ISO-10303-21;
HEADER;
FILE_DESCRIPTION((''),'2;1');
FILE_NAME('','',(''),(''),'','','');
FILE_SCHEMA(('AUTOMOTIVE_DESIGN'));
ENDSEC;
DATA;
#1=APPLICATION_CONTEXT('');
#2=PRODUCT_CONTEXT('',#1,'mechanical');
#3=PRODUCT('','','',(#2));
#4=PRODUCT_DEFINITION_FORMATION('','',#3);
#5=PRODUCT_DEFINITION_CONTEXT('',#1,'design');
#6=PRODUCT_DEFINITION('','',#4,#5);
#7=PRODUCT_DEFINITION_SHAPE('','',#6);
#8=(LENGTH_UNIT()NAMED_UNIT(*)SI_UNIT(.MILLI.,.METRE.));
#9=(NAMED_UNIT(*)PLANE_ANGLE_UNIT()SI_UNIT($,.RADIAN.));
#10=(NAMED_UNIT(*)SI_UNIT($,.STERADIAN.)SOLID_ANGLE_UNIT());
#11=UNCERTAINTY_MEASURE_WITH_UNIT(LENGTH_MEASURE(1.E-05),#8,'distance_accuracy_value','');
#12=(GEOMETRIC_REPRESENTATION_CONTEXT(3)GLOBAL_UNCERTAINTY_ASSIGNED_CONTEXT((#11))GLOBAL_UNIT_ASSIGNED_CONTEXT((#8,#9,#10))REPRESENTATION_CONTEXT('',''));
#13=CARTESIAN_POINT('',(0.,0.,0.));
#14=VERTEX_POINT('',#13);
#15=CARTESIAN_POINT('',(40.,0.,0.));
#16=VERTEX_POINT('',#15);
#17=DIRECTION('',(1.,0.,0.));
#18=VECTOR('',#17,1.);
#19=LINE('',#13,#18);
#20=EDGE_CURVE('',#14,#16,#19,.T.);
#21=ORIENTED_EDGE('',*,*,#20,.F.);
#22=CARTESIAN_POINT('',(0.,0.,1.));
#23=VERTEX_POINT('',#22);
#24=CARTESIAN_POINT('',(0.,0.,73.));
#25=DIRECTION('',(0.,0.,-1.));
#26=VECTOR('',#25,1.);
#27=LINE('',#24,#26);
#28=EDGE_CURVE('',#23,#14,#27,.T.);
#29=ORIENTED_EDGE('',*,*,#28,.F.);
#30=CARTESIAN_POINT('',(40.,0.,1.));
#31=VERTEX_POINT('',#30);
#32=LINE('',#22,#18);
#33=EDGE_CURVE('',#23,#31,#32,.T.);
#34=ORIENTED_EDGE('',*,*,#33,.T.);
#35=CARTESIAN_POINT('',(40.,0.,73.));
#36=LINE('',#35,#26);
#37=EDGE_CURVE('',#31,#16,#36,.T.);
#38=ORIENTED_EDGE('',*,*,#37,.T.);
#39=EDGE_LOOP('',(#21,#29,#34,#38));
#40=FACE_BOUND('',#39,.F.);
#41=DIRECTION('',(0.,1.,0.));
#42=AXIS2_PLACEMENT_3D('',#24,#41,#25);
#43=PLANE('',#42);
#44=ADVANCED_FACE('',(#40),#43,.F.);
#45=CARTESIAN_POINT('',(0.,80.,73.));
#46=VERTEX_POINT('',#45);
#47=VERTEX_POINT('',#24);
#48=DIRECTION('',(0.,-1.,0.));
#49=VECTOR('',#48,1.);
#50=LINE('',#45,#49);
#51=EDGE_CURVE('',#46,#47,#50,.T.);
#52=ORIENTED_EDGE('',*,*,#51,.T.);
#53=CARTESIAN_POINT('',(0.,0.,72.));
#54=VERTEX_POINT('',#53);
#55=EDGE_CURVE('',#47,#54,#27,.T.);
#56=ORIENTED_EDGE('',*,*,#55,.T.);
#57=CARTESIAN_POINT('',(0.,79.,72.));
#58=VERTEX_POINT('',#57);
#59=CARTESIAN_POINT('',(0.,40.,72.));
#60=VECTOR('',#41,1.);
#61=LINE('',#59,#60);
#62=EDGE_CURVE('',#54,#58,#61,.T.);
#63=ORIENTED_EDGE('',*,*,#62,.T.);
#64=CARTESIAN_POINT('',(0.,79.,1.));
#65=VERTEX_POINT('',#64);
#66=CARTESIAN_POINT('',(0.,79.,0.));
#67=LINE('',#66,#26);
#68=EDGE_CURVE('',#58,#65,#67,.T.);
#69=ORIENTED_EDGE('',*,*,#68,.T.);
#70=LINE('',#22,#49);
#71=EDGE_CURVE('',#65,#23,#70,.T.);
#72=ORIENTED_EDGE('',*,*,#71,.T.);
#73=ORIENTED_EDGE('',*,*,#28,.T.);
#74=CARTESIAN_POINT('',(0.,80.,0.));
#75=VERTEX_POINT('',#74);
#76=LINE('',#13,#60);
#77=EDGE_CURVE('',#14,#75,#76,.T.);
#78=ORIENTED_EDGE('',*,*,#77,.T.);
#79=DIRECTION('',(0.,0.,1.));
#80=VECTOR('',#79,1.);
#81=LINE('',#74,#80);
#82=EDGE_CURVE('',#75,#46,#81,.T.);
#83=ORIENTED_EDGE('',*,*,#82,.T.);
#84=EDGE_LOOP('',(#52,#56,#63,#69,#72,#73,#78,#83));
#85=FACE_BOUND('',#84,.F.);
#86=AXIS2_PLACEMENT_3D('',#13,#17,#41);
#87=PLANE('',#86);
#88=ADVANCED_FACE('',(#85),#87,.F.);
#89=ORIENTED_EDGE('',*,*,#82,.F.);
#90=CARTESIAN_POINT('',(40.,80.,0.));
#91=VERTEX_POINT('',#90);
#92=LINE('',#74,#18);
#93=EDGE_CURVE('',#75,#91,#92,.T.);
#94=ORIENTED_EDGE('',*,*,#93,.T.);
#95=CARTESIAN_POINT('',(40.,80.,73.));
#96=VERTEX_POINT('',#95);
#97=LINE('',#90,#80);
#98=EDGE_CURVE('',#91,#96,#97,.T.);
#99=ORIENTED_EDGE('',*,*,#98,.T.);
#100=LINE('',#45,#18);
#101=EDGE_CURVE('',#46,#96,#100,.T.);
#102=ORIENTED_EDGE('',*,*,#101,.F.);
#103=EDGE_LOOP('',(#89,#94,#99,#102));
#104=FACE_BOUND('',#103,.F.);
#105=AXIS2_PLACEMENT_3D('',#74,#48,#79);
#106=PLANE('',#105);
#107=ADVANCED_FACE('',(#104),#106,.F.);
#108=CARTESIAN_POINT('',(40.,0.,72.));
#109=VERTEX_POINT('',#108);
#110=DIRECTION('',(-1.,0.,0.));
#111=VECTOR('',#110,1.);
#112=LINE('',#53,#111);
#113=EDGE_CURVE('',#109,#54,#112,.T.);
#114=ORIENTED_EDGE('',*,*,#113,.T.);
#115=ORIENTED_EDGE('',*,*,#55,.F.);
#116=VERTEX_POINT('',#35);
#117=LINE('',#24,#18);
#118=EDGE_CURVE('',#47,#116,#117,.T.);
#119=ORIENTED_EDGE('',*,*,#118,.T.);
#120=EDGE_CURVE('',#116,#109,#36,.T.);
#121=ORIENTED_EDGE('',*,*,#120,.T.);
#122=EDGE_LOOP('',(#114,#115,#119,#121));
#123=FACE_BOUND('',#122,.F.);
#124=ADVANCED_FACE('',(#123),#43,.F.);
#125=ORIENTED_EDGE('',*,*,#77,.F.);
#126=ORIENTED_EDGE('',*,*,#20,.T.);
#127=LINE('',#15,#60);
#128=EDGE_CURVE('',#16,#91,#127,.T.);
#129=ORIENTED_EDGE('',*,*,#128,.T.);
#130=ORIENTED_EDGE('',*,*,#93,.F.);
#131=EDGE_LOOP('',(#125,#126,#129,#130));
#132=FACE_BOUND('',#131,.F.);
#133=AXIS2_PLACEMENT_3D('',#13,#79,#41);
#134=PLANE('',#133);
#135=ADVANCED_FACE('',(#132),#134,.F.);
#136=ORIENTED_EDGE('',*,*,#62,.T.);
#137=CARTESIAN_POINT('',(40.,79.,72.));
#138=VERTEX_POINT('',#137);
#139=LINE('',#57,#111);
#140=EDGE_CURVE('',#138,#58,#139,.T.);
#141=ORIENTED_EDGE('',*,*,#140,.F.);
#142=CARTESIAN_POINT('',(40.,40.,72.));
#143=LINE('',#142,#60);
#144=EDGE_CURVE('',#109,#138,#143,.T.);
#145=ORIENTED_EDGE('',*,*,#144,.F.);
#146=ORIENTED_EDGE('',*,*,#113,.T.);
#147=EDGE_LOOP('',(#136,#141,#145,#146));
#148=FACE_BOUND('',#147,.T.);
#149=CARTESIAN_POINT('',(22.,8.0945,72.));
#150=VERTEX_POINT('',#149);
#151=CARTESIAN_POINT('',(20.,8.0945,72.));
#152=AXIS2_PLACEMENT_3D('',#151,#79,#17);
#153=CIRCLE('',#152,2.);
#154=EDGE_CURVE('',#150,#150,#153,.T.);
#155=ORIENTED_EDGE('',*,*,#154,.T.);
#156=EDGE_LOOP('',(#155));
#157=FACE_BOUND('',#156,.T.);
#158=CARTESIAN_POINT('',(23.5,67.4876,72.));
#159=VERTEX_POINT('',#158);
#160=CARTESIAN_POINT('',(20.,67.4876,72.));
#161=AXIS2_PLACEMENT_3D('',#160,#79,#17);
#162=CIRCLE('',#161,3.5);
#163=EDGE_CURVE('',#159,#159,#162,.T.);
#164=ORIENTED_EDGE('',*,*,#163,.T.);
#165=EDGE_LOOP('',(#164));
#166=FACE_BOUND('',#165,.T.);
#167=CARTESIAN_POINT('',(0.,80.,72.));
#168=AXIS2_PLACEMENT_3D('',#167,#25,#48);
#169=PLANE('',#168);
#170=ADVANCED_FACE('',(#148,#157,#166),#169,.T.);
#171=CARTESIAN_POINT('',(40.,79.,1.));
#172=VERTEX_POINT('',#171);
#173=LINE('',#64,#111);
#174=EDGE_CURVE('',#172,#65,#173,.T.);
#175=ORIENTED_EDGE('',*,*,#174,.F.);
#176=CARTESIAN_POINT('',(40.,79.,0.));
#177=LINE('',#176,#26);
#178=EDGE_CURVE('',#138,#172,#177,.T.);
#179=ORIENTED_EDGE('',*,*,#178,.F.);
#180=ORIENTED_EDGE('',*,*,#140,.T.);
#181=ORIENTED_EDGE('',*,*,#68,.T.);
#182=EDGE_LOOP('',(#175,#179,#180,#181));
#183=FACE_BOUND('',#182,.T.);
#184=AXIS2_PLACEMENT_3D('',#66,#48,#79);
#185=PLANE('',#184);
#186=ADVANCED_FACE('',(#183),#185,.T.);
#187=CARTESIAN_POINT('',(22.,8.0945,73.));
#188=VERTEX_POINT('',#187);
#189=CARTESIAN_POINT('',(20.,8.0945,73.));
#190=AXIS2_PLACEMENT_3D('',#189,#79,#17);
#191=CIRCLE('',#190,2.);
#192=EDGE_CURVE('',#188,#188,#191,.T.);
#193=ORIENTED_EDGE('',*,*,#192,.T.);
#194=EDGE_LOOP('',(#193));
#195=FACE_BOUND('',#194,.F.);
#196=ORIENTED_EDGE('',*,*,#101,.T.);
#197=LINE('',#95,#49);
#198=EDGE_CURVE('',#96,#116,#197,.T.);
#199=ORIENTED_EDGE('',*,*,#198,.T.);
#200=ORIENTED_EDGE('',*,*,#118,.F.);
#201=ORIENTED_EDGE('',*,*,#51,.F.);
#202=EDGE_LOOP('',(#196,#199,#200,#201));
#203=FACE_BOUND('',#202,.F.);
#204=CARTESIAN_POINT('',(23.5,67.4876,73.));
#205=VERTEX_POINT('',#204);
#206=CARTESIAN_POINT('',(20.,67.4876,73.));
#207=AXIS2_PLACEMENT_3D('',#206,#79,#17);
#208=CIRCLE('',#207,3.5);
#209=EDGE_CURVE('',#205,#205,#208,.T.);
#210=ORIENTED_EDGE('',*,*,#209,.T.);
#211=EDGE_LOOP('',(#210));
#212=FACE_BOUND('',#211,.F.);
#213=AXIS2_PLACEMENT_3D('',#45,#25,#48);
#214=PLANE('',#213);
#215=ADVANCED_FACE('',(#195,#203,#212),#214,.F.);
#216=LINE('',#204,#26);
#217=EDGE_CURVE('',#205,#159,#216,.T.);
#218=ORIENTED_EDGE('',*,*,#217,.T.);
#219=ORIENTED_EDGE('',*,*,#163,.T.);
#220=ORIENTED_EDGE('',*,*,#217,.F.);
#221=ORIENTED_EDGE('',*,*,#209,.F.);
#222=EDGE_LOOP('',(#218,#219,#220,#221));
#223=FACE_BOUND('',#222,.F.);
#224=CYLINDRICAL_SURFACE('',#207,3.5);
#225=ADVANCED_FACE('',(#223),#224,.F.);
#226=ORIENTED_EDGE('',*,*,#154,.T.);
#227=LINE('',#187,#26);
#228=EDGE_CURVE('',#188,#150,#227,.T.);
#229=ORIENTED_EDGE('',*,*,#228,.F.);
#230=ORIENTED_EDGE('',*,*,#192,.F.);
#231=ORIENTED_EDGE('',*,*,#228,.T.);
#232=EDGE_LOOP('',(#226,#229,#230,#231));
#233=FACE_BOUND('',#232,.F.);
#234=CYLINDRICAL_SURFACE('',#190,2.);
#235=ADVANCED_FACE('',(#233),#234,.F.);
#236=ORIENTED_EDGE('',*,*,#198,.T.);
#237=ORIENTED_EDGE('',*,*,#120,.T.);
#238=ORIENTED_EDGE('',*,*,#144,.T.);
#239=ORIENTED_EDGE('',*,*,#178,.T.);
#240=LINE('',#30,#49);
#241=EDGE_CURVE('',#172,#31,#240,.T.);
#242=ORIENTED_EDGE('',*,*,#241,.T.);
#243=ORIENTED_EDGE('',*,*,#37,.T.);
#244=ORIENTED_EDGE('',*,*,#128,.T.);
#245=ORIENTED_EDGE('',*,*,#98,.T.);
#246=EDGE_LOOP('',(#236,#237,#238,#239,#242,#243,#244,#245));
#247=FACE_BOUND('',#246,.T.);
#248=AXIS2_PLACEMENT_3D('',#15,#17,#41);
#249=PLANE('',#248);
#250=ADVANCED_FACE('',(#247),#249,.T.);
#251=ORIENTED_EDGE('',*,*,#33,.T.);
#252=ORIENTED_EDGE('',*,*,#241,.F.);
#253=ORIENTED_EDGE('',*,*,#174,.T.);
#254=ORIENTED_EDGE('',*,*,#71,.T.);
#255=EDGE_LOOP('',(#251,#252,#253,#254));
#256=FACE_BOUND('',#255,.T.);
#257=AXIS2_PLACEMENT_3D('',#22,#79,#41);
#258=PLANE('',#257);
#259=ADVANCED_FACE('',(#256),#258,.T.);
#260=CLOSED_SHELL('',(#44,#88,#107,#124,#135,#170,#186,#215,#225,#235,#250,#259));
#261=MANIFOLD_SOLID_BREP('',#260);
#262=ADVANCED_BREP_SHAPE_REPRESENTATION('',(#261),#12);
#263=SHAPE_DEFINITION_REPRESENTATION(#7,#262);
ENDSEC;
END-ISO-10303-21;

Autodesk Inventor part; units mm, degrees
ref_plane "YZ Plane" through (0, 0, 0) normal (1, 0, 0) x (0, 1, 0)
ref_plane "XZ Plane" through (0, 0, 0) normal (0, 1, 0) x (-1, 0, 0)
ref_plane "XY Plane" through (0, 0, 0) normal (0, 0, 1) x (1, 0, 0)
sketch "Sketch3" plane through (0, 0, 0) normal (1, 0, 0) x (0, 1, 0)
  line L0 (0, 0) -> (80, 0)
  line L1 (80, 0) -> (80, 73)
  line L2 (80, 73) -> (0, 73)
  line L3 (0, 73) -> (0, 0)
  dimension "d8" = 80
  dimension "d9" = 73
extrude "Extrusion3" add sketch "Sketch3" along normal blind 40
shell "Shell1" thickness 1 removed faces 3 at (26.6667, 0, 48.6667) at (0, 53.3333, 24.3333) at (40, 53.3333, 24.3333)
sketch "Sketch4" plane through (0, 0, 73) normal (0, 0, 1) x (1, 0, 0)
  line L0 (0, 0) -> (40, 0) projected
  line L1 (0, 80) -> (40, 80) projected
  circle A0 centre (20, 8.0945) radius 2
  dimension "d13" = 4
extrude "Extrusion4" cut sketch "Sketch4" against normal blind 1
sketch "Sketch5" plane through (0, 0, 73) normal (0, 0, 1) x (1, 0, 0)
  line L0 (0, 80) -> (40, 80) projected
  circle A0 centre (20, 67.4876) radius 3.5
  point P0 (0, 0)
  dimension "d16" = 7
extrude "Extrusion5" cut sketch "Sketch5" against normal blind 1
properties part number "MAN_BASIS_THIRD_STRUCTURE" material "ABS Plastic"
